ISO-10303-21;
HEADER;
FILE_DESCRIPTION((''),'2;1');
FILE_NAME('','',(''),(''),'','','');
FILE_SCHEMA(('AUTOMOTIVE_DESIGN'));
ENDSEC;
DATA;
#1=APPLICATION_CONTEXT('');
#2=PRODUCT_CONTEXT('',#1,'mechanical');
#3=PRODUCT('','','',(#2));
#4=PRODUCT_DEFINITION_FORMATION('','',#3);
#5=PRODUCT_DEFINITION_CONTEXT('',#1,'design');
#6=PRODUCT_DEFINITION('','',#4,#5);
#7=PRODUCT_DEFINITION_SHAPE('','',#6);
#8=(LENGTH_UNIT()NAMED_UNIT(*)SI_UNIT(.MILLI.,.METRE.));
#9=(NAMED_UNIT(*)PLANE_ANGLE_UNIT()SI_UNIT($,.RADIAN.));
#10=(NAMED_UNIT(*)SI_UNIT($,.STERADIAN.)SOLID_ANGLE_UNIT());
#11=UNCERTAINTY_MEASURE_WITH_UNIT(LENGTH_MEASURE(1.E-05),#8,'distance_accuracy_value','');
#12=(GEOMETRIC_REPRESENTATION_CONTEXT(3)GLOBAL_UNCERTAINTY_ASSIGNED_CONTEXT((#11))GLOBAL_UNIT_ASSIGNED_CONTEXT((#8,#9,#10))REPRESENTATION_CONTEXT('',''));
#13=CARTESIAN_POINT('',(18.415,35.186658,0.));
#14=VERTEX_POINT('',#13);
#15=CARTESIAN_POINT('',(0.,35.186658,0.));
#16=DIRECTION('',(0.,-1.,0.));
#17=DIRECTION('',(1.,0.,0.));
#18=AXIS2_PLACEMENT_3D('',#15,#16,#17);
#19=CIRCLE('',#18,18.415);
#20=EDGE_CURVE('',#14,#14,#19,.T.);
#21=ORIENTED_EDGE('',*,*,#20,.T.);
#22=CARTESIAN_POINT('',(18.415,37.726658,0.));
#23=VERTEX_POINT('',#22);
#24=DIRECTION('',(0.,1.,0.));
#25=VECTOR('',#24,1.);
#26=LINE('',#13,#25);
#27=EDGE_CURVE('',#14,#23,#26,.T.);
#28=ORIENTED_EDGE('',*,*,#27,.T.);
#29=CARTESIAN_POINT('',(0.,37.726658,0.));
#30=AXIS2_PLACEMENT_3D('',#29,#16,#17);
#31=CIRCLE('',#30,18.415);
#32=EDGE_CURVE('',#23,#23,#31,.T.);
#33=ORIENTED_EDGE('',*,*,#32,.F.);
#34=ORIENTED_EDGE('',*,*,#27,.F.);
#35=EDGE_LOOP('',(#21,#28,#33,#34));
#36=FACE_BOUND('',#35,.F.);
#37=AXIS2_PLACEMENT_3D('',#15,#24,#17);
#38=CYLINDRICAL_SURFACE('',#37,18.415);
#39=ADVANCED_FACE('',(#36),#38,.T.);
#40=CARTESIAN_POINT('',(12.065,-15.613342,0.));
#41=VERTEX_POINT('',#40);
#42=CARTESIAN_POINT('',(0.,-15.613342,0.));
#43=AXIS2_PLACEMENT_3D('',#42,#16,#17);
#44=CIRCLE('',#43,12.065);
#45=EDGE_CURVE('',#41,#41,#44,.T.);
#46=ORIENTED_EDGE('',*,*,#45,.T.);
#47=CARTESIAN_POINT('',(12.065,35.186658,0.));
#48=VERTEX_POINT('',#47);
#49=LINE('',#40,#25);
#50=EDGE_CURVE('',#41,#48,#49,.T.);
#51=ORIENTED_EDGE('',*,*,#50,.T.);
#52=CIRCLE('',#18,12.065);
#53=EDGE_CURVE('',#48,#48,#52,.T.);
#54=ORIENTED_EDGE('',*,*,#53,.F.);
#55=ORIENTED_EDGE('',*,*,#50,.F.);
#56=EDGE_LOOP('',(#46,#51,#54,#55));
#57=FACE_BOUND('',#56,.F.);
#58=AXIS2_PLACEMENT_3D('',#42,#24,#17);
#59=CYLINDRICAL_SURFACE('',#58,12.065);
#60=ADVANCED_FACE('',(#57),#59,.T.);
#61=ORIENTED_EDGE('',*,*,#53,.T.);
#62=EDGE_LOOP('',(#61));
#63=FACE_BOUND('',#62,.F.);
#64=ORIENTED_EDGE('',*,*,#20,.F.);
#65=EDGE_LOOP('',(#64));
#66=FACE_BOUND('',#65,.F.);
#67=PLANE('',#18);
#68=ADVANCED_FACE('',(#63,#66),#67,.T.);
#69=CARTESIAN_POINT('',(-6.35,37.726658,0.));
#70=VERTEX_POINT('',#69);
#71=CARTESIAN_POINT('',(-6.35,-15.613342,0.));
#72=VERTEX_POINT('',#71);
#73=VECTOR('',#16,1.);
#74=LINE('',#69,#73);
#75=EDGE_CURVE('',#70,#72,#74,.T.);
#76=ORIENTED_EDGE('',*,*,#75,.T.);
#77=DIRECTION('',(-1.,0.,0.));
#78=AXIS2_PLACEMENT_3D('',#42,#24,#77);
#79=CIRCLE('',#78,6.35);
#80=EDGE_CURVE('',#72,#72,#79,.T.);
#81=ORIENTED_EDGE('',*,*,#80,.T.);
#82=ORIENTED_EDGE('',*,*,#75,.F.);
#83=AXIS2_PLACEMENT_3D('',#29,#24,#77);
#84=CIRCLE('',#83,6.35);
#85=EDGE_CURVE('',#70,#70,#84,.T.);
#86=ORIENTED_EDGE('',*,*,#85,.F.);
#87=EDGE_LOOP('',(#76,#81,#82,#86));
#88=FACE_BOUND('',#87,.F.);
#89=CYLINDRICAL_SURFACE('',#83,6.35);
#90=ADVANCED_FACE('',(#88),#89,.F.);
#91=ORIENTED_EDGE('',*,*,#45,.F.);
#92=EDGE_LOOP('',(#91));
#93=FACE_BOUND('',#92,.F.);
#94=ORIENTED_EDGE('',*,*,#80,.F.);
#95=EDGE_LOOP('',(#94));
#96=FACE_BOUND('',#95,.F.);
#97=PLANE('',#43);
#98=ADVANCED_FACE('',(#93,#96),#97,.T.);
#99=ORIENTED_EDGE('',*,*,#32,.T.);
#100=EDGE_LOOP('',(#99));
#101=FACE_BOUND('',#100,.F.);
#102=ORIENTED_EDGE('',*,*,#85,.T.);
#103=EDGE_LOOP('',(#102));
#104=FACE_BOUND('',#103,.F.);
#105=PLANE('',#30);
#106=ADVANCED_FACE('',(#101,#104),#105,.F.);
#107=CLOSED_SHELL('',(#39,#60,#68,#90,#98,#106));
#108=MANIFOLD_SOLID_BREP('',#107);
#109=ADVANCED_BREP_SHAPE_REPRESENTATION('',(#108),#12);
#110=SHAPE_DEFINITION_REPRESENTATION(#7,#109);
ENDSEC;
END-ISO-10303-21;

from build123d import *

# Parameters (mm, degrees)
F2_R     = 6.35
F3_DEPTH = 101.6


with BuildPart() as f1:
    # F0 (on Top) → F1 (revolve)
    with BuildSketch(Plane.XY):
        Polygon((0, 37.726658), (0, -15.613342), (12.065, -15.613342), (12.065, 35.186658), (18.415, 35.186658), (18.415, 37.726658), align=None)
    revolve(axis=Axis((0, 11.056658, 0), (0, -1, 0)))

    # F2 (on face) → F3 (cut)
    with BuildSketch(Plane(origin=(0, 37.726658, 0), x_dir=(-1, 0, 0), z_dir=(0, 1, 0))):
        Circle(F2_R)
    extrude(amount=-F3_DEPTH, mode=Mode.SUBTRACT)


solid = f1.part
